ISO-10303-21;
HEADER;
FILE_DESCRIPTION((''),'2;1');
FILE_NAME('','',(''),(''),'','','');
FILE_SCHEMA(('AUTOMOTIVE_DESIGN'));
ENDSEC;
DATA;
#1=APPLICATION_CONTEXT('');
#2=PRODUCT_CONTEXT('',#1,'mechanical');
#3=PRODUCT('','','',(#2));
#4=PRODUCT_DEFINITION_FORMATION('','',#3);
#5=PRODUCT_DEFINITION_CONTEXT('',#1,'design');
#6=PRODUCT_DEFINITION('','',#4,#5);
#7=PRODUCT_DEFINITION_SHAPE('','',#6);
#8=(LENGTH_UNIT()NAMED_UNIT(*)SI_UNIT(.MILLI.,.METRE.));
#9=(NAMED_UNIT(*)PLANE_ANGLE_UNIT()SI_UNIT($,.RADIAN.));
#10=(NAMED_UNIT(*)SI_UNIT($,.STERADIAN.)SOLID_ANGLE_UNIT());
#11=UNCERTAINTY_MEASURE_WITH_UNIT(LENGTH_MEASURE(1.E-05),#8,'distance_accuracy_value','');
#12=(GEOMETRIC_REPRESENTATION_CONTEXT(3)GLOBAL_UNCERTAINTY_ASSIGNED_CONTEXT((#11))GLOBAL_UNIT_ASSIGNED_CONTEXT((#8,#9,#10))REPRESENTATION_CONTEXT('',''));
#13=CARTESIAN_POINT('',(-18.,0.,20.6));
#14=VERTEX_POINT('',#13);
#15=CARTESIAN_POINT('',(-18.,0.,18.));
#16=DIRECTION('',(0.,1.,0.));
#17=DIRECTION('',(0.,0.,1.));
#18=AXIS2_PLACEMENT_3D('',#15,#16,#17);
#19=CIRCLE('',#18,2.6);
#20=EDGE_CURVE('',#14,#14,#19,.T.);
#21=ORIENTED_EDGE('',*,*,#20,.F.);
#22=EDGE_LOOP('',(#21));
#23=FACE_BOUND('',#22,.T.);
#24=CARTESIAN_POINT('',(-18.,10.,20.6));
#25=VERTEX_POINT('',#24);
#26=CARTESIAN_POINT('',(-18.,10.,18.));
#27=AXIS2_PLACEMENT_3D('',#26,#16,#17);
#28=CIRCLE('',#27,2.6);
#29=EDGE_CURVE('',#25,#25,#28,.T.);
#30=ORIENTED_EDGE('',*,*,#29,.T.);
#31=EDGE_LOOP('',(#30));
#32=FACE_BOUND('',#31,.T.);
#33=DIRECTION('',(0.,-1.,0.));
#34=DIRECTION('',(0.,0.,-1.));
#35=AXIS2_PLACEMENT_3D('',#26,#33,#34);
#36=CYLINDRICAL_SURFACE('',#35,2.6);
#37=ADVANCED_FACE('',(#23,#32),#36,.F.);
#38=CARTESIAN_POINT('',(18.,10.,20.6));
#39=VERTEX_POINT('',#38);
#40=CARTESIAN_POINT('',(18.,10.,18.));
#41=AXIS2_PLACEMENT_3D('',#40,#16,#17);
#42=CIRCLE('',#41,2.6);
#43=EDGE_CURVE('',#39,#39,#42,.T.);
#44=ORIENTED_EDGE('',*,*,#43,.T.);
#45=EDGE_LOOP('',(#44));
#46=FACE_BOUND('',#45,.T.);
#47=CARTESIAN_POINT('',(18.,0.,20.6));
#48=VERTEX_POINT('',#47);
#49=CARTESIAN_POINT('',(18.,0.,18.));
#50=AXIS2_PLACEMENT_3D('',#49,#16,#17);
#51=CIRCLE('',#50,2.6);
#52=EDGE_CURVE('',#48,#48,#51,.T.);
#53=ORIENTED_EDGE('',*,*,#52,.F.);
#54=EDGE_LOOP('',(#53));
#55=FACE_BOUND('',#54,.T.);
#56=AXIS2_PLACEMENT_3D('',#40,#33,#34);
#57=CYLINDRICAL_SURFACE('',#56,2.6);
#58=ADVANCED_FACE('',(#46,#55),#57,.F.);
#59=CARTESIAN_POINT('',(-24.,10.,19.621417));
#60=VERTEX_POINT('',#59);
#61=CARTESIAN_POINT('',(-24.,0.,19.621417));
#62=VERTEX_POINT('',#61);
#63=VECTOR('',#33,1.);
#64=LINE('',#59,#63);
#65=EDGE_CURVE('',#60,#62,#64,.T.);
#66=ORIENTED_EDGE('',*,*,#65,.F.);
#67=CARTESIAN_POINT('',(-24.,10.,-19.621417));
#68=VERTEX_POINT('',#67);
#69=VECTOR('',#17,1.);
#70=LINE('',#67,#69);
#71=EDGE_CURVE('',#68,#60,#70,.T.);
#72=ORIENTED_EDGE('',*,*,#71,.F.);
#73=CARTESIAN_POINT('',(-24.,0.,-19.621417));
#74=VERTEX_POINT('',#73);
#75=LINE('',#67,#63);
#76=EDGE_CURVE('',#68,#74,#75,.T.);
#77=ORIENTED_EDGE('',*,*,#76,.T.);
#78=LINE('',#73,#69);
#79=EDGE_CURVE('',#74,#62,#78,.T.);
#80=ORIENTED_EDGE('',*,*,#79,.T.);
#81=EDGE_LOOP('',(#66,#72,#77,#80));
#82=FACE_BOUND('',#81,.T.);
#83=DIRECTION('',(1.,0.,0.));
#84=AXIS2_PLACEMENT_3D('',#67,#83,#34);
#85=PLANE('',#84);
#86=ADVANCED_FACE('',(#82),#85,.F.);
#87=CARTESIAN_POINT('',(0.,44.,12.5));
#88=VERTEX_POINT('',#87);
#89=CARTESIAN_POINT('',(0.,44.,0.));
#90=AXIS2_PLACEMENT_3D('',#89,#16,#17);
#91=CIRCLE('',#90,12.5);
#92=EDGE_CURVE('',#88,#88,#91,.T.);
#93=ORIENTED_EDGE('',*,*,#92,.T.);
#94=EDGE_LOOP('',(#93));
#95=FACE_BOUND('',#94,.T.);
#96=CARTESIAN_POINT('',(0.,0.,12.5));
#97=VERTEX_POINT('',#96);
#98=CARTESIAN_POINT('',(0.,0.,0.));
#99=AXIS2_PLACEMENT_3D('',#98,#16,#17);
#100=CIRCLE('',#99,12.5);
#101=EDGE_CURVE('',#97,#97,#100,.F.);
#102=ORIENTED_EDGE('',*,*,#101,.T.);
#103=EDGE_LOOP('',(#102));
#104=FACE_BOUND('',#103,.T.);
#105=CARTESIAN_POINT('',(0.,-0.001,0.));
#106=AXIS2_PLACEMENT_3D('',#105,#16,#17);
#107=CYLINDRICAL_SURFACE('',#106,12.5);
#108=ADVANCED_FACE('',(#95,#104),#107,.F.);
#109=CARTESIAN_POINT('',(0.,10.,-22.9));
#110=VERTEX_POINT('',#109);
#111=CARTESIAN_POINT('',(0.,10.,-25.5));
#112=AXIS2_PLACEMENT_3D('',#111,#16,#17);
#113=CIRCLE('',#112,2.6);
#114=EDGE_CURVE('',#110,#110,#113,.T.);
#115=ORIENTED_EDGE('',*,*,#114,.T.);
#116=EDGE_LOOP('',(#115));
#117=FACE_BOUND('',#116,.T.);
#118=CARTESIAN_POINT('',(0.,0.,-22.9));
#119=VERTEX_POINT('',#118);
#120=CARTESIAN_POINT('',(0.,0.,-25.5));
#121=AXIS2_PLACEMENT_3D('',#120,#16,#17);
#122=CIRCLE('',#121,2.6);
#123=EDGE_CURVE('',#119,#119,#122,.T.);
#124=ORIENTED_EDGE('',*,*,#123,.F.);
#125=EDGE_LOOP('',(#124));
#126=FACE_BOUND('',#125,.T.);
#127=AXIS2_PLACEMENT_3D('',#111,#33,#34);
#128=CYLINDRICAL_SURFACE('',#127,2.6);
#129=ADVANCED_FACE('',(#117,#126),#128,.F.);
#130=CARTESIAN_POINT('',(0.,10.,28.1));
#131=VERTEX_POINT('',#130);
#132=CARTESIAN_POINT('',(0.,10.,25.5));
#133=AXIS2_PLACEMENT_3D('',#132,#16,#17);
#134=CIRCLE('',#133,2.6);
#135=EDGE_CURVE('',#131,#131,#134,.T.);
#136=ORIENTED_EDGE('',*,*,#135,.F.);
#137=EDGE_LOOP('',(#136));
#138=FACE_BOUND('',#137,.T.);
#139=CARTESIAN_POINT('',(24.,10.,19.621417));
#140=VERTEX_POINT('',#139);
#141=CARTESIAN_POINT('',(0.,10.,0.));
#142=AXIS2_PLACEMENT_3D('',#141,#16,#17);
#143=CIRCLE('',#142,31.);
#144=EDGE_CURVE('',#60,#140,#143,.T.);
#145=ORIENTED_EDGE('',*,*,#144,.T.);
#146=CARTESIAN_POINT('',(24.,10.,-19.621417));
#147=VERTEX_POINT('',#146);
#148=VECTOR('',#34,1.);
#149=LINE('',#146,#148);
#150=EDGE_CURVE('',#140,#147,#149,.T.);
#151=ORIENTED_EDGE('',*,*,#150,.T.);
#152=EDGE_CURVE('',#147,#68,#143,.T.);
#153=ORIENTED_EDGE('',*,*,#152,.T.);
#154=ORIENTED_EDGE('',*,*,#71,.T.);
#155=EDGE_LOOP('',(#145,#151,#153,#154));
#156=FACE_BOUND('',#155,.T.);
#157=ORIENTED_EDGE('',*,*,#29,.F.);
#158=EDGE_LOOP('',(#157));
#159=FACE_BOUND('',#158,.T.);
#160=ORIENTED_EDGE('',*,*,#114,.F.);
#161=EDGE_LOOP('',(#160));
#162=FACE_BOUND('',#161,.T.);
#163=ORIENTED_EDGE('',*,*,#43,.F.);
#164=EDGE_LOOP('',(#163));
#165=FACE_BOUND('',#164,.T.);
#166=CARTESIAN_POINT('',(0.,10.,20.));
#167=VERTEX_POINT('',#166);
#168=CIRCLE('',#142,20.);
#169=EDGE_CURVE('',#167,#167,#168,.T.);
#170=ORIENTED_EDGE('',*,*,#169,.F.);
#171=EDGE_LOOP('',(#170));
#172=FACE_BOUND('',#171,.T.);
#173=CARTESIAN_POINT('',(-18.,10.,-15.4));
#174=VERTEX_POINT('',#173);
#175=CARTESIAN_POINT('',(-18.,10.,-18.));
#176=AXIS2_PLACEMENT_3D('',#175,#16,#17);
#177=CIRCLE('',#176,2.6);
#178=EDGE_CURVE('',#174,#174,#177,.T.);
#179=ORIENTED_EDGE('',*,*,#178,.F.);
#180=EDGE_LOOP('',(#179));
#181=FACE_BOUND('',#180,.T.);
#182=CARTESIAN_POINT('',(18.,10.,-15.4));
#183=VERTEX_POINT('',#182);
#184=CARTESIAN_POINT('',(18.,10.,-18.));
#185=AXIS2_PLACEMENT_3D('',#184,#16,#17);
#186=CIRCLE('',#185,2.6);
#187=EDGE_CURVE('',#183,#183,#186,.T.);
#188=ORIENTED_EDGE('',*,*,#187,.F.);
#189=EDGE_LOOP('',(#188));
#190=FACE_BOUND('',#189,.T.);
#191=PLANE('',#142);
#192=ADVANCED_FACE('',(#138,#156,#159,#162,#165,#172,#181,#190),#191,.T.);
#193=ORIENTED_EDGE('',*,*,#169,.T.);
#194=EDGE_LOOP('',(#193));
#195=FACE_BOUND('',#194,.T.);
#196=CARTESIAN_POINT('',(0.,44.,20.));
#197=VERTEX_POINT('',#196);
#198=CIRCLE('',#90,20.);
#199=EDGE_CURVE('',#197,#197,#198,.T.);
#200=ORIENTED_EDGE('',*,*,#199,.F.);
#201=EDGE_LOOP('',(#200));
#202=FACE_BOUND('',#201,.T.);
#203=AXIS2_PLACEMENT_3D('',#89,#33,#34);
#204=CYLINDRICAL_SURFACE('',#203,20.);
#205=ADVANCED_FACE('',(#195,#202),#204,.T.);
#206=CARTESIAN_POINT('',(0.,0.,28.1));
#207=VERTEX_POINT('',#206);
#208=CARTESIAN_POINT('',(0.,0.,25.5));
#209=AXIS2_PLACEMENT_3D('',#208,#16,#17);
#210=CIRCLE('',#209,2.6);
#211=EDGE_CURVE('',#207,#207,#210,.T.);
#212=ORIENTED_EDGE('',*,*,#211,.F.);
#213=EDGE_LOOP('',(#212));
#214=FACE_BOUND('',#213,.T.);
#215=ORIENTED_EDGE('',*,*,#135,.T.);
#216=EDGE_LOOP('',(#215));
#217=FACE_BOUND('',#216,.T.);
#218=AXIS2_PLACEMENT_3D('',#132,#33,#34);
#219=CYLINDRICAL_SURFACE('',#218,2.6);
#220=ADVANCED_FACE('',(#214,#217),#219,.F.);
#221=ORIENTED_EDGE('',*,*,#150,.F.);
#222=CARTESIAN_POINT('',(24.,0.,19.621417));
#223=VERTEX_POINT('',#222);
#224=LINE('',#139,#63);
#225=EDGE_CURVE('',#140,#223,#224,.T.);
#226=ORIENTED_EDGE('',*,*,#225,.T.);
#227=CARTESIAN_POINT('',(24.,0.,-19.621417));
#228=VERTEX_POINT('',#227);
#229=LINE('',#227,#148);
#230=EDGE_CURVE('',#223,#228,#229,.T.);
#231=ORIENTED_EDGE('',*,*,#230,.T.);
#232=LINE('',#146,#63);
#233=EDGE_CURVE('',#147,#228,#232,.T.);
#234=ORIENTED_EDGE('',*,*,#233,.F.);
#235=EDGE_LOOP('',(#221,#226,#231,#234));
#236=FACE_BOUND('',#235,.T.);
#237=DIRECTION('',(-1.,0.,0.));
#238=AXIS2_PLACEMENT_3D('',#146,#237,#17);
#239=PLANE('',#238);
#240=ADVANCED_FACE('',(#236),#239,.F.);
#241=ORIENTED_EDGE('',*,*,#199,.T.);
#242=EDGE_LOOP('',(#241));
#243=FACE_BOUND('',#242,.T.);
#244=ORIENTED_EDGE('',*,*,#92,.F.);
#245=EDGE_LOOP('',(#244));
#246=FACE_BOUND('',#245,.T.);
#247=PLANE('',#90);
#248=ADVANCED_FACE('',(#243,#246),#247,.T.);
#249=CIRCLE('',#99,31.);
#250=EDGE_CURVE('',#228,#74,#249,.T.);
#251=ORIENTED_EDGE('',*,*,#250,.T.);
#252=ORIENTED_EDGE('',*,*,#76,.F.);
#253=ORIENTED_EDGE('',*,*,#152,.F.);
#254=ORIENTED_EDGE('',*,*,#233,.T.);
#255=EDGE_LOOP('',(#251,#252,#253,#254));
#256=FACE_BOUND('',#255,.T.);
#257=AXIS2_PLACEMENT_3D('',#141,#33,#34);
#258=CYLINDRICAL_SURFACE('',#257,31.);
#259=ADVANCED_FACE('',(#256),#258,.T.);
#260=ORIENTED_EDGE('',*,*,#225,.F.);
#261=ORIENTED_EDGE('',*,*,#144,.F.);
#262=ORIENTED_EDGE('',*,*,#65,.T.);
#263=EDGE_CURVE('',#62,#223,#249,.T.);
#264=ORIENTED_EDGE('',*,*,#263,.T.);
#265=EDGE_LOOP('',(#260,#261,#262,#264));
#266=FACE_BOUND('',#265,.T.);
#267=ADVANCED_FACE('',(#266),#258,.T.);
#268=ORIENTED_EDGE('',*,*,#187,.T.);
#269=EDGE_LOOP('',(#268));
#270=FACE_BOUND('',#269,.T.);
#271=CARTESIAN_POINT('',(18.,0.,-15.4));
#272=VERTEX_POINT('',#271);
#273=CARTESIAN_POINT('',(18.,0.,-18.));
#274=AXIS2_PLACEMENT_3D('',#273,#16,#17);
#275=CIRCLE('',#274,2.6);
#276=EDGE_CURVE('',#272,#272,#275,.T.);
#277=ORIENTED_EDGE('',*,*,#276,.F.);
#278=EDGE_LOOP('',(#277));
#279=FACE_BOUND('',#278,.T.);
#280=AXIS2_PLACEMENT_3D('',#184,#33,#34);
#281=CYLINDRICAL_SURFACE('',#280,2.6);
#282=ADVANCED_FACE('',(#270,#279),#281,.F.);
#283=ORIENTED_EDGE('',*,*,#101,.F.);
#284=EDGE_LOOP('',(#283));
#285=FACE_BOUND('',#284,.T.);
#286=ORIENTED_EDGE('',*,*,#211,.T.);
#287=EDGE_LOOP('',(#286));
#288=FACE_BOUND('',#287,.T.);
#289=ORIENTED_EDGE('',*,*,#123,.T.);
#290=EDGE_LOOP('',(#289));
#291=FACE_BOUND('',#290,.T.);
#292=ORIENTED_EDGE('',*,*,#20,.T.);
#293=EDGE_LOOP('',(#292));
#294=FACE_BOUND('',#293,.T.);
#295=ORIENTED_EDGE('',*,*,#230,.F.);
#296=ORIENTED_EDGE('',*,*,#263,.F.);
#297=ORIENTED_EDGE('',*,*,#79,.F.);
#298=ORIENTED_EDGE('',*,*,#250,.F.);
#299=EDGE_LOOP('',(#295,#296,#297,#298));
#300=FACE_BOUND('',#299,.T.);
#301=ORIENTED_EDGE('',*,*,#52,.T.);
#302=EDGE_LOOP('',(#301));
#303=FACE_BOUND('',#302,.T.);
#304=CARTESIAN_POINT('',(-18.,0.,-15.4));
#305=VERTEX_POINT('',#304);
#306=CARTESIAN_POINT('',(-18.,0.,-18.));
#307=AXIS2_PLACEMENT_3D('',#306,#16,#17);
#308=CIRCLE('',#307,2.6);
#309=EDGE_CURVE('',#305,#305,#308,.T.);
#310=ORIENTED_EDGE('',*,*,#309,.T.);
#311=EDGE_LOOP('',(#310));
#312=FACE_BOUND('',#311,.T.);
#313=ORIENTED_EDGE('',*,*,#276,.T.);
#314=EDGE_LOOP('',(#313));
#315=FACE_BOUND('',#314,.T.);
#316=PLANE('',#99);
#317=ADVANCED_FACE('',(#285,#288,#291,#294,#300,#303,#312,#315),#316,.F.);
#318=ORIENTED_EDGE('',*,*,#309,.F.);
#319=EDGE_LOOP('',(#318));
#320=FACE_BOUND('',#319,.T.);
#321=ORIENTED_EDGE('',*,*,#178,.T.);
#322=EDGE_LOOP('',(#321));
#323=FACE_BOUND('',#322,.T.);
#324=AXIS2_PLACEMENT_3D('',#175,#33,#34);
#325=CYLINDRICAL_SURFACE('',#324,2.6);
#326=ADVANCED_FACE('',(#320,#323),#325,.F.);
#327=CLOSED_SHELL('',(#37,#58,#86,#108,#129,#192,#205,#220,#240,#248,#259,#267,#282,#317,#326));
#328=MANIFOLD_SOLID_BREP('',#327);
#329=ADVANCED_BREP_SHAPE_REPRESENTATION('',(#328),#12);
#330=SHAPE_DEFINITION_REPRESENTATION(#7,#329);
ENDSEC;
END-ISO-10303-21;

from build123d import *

# Parameters (mm, degrees)
SKETCH1_R           = 2.6
BOSS_EXTRUDE1_DEPTH = 10
SKETCH2_R           = 20
BOSS_EXTRUDE2_DEPTH = 34
CUT_EXTRUDE1_REACH  = 46
SKETCH3_R           = 12.5


with BuildPart() as part:
    # Sketch1 → Boss-Extrude1 (new body)
    with BuildSketch(Plane(origin=(0, 0, 0), x_dir=(1, 0, 0), z_dir=(0, 1, 0))):
        with BuildLine():
            Line((-24, 19.62141687), (-24, -19.62141687))
            ThreePointArc((-24, -19.62141687), (0, -31), (24, -19.62141687))
            Line((24, -19.62141687), (24, 19.62141687))
            ThreePointArc((24, 19.62141687), (0, 31), (-24, 19.62141687))
        make_face()
        with Locations((18, 18)):
            Circle(SKETCH1_R, mode=Mode.SUBTRACT)
        with Locations((0, 25.5)):
            Circle(SKETCH1_R, mode=Mode.SUBTRACT)
        with Locations((-18, 18)):
            Circle(SKETCH1_R, mode=Mode.SUBTRACT)
        with Locations((-18, -18)):
            Circle(SKETCH1_R, mode=Mode.SUBTRACT)
        with Locations((18, -18)):
            Circle(SKETCH1_R, mode=Mode.SUBTRACT)
        with Locations((0, -25.5)):
            Circle(SKETCH1_R, mode=Mode.SUBTRACT)
    extrude(amount=BOSS_EXTRUDE1_DEPTH)

    # Sketch2 → Boss-Extrude2 (add)
    with BuildSketch(Plane(origin=(0, 10, 0), x_dir=(1, 0, 0), z_dir=(0, 1, 0))):
        Circle(SKETCH2_R)
    extrude(amount=BOSS_EXTRUDE2_DEPTH)

    # Sketch3 → Cut-Extrude1 (cut, up to next)
    with BuildSketch(Plane(origin=(0, 44, 0), x_dir=(1, 0, 0), z_dir=(0, 1, 0)), mode=Mode.PRIVATE) as cut_extrude1_sk1:
        Circle(SKETCH3_R)
    cut_extrude1_tool1 = extrude(cut_extrude1_sk1.sketch, amount=-CUT_EXTRUDE1_REACH, mode=Mode.PRIVATE) & part.part
    add(cut_extrude1_tool1.solids().sort_by_distance((0, 44, 0))[0], mode=Mode.SUBTRACT)


solid = part.part
